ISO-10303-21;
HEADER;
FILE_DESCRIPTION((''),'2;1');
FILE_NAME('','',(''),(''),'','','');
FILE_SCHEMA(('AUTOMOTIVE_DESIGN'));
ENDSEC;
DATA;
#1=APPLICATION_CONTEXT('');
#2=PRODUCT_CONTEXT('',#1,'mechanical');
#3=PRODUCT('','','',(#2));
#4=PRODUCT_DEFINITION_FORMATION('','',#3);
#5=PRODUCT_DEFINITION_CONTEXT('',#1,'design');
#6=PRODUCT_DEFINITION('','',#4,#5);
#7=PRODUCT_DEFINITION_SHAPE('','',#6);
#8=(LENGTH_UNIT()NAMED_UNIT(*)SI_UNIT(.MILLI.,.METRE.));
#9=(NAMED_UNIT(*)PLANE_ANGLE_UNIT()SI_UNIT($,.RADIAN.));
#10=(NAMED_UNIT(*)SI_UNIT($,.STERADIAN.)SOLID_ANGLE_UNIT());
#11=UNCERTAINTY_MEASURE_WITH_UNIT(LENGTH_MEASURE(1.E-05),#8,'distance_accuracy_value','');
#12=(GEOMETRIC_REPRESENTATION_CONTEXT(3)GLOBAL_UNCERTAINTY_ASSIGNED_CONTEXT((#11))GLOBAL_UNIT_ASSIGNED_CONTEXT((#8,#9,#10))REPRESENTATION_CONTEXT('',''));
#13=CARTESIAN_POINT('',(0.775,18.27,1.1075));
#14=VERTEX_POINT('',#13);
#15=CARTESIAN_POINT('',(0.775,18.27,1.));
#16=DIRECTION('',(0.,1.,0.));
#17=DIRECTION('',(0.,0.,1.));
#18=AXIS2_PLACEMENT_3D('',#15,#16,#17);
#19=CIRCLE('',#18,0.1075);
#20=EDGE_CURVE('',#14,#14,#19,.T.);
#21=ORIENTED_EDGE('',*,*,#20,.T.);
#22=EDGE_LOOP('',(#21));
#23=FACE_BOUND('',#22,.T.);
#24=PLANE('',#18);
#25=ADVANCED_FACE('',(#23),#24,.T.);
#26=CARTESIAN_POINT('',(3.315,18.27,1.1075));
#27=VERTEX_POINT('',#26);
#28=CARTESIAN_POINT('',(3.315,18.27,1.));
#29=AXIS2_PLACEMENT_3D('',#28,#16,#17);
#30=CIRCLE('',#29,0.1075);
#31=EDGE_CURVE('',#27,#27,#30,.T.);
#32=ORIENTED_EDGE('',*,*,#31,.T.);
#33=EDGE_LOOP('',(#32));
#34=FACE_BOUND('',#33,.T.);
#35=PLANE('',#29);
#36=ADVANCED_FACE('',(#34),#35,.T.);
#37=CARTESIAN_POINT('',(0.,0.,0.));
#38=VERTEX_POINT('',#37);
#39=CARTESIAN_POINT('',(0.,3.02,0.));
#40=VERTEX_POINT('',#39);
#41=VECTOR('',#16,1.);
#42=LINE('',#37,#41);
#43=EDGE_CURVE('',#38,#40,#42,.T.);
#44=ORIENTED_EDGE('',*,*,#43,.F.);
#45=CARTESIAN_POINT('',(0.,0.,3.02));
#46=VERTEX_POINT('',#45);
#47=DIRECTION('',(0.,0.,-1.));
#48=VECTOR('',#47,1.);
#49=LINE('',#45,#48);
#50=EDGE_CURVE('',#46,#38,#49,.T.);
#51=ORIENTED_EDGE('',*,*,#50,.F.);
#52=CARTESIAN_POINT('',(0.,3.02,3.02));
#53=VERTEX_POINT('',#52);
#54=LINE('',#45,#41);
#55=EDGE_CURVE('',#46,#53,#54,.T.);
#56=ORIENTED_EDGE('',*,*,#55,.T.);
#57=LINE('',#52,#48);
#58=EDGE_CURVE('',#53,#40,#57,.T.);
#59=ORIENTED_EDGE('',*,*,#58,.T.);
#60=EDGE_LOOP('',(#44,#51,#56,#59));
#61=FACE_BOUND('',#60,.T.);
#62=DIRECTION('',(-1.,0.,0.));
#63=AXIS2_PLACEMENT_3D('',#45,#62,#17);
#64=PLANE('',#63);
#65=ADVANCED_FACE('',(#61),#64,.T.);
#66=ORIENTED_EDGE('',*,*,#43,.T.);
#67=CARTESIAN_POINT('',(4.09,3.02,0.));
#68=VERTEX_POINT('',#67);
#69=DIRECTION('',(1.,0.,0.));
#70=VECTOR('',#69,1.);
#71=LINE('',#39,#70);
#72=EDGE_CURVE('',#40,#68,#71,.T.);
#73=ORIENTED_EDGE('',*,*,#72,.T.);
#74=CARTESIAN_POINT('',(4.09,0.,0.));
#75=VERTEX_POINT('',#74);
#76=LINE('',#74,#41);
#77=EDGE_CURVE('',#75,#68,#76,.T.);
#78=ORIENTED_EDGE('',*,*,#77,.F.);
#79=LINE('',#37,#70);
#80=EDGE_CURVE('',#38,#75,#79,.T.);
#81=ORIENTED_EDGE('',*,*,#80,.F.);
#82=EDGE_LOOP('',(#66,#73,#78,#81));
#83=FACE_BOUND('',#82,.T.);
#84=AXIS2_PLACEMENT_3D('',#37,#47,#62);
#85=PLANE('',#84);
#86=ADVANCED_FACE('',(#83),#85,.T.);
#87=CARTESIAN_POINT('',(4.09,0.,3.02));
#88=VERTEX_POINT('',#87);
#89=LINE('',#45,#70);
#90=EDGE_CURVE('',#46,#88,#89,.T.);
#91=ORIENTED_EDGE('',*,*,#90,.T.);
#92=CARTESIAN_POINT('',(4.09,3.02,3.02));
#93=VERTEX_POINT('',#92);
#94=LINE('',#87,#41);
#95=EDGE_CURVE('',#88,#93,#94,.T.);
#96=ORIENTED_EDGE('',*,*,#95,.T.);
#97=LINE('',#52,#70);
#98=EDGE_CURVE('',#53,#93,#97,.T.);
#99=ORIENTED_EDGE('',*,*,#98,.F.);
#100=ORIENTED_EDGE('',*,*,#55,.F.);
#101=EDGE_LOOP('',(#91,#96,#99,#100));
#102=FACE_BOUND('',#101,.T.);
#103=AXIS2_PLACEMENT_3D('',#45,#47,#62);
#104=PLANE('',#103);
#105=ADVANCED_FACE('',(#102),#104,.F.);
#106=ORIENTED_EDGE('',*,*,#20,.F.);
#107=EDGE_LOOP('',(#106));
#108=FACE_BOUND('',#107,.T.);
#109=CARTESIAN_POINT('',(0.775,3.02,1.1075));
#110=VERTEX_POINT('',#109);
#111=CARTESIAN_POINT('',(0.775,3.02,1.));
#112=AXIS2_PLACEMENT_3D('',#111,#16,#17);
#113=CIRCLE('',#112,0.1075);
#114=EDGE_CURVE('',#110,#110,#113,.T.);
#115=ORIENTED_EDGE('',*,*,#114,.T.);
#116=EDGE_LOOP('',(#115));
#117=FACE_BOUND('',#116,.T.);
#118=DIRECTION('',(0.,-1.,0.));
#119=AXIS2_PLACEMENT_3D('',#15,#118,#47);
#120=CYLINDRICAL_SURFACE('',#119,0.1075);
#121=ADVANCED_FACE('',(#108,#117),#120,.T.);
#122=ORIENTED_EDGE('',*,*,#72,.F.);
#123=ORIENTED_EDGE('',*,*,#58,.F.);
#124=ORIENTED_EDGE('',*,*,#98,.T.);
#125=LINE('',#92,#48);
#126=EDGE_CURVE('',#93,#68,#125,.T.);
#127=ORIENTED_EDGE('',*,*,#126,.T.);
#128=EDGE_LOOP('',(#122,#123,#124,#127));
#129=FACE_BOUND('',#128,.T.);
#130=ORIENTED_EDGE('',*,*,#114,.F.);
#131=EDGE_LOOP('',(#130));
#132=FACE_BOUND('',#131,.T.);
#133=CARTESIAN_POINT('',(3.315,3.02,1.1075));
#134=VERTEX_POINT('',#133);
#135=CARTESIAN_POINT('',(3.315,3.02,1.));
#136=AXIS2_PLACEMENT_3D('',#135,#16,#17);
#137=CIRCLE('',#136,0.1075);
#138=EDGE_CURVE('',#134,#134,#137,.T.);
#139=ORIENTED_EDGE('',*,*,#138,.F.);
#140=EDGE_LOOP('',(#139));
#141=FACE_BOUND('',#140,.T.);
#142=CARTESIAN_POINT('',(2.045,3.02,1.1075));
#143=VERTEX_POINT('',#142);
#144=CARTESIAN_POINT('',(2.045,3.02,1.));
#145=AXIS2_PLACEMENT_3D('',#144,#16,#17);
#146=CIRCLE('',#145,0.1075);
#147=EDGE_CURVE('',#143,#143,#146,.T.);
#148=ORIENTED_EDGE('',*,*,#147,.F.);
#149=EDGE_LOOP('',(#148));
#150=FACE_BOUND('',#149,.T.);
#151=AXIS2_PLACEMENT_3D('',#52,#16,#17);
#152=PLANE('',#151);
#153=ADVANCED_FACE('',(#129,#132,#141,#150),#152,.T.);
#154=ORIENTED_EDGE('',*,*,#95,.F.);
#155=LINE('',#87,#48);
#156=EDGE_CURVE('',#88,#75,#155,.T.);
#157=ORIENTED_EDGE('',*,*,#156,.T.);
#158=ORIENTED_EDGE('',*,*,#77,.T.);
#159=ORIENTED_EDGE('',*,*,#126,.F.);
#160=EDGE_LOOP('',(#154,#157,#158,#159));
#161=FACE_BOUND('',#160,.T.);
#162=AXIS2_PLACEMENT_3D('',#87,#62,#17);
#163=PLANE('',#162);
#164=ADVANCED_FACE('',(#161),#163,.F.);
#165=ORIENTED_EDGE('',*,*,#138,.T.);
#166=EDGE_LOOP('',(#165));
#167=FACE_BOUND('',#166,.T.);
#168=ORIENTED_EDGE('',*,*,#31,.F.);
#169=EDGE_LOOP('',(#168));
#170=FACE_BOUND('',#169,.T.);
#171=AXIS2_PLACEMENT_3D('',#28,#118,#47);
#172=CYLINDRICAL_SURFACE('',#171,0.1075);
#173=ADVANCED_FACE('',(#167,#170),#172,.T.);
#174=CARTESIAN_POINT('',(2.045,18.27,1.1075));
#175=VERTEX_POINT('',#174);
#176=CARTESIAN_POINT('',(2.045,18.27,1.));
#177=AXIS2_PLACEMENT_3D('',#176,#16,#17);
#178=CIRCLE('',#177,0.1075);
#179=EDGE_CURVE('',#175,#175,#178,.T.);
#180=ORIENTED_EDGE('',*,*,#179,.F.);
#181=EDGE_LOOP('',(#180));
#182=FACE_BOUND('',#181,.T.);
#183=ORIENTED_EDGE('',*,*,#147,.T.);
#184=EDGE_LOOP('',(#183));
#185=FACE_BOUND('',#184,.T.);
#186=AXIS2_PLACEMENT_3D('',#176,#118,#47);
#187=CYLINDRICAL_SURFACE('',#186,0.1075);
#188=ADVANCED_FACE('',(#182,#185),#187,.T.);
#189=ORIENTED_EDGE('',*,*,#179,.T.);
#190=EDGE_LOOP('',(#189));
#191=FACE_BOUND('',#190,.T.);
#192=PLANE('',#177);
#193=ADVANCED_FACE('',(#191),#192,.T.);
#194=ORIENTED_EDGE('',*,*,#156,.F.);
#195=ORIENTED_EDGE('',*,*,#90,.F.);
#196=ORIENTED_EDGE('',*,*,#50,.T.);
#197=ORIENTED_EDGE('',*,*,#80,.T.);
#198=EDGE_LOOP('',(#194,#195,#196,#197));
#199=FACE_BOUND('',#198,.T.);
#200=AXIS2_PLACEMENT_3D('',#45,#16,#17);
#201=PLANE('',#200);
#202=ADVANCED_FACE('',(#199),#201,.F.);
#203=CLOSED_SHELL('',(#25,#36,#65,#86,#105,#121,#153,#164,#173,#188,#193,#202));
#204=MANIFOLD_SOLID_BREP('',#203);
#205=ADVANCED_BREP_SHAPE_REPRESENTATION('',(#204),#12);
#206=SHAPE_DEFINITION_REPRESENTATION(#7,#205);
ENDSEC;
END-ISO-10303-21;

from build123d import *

# Parameters (mm, degrees)
SKETCH1_W           = 4.09
SKETCH1_H           = 3.02
BOSS_EXTRUDE1_DEPTH = 3.02
SKETCH2_R           = 0.1075
BOSS_EXTRUDE2_DEPTH = 15.25


with BuildPart() as part:
    # Sketch1 → Boss-Extrude1 (new body)
    with BuildSketch(Plane.XY):
        with Locations((2.045, 1.51)):
            Rectangle(SKETCH1_W, SKETCH1_H)
    extrude(amount=BOSS_EXTRUDE1_DEPTH)

    # Sketch2 → Boss-Extrude2 (add)
    with BuildSketch(Plane(origin=(0, 3.02, 0), x_dir=(1, 0, 0), z_dir=(0, 1, 0))):
        with Locations(Location((0.775, -1, 0), (0, 0, 270))):
            Circle(SKETCH2_R)
        with Locations(Location((2.045, -1, 0), (0, 0, 270))):
            Circle(SKETCH2_R)
        with Locations(Location((3.315, -1, 0), (0, 0, 270))):
            Circle(SKETCH2_R)
    extrude(amount=BOSS_EXTRUDE2_DEPTH)


solid = part.part
